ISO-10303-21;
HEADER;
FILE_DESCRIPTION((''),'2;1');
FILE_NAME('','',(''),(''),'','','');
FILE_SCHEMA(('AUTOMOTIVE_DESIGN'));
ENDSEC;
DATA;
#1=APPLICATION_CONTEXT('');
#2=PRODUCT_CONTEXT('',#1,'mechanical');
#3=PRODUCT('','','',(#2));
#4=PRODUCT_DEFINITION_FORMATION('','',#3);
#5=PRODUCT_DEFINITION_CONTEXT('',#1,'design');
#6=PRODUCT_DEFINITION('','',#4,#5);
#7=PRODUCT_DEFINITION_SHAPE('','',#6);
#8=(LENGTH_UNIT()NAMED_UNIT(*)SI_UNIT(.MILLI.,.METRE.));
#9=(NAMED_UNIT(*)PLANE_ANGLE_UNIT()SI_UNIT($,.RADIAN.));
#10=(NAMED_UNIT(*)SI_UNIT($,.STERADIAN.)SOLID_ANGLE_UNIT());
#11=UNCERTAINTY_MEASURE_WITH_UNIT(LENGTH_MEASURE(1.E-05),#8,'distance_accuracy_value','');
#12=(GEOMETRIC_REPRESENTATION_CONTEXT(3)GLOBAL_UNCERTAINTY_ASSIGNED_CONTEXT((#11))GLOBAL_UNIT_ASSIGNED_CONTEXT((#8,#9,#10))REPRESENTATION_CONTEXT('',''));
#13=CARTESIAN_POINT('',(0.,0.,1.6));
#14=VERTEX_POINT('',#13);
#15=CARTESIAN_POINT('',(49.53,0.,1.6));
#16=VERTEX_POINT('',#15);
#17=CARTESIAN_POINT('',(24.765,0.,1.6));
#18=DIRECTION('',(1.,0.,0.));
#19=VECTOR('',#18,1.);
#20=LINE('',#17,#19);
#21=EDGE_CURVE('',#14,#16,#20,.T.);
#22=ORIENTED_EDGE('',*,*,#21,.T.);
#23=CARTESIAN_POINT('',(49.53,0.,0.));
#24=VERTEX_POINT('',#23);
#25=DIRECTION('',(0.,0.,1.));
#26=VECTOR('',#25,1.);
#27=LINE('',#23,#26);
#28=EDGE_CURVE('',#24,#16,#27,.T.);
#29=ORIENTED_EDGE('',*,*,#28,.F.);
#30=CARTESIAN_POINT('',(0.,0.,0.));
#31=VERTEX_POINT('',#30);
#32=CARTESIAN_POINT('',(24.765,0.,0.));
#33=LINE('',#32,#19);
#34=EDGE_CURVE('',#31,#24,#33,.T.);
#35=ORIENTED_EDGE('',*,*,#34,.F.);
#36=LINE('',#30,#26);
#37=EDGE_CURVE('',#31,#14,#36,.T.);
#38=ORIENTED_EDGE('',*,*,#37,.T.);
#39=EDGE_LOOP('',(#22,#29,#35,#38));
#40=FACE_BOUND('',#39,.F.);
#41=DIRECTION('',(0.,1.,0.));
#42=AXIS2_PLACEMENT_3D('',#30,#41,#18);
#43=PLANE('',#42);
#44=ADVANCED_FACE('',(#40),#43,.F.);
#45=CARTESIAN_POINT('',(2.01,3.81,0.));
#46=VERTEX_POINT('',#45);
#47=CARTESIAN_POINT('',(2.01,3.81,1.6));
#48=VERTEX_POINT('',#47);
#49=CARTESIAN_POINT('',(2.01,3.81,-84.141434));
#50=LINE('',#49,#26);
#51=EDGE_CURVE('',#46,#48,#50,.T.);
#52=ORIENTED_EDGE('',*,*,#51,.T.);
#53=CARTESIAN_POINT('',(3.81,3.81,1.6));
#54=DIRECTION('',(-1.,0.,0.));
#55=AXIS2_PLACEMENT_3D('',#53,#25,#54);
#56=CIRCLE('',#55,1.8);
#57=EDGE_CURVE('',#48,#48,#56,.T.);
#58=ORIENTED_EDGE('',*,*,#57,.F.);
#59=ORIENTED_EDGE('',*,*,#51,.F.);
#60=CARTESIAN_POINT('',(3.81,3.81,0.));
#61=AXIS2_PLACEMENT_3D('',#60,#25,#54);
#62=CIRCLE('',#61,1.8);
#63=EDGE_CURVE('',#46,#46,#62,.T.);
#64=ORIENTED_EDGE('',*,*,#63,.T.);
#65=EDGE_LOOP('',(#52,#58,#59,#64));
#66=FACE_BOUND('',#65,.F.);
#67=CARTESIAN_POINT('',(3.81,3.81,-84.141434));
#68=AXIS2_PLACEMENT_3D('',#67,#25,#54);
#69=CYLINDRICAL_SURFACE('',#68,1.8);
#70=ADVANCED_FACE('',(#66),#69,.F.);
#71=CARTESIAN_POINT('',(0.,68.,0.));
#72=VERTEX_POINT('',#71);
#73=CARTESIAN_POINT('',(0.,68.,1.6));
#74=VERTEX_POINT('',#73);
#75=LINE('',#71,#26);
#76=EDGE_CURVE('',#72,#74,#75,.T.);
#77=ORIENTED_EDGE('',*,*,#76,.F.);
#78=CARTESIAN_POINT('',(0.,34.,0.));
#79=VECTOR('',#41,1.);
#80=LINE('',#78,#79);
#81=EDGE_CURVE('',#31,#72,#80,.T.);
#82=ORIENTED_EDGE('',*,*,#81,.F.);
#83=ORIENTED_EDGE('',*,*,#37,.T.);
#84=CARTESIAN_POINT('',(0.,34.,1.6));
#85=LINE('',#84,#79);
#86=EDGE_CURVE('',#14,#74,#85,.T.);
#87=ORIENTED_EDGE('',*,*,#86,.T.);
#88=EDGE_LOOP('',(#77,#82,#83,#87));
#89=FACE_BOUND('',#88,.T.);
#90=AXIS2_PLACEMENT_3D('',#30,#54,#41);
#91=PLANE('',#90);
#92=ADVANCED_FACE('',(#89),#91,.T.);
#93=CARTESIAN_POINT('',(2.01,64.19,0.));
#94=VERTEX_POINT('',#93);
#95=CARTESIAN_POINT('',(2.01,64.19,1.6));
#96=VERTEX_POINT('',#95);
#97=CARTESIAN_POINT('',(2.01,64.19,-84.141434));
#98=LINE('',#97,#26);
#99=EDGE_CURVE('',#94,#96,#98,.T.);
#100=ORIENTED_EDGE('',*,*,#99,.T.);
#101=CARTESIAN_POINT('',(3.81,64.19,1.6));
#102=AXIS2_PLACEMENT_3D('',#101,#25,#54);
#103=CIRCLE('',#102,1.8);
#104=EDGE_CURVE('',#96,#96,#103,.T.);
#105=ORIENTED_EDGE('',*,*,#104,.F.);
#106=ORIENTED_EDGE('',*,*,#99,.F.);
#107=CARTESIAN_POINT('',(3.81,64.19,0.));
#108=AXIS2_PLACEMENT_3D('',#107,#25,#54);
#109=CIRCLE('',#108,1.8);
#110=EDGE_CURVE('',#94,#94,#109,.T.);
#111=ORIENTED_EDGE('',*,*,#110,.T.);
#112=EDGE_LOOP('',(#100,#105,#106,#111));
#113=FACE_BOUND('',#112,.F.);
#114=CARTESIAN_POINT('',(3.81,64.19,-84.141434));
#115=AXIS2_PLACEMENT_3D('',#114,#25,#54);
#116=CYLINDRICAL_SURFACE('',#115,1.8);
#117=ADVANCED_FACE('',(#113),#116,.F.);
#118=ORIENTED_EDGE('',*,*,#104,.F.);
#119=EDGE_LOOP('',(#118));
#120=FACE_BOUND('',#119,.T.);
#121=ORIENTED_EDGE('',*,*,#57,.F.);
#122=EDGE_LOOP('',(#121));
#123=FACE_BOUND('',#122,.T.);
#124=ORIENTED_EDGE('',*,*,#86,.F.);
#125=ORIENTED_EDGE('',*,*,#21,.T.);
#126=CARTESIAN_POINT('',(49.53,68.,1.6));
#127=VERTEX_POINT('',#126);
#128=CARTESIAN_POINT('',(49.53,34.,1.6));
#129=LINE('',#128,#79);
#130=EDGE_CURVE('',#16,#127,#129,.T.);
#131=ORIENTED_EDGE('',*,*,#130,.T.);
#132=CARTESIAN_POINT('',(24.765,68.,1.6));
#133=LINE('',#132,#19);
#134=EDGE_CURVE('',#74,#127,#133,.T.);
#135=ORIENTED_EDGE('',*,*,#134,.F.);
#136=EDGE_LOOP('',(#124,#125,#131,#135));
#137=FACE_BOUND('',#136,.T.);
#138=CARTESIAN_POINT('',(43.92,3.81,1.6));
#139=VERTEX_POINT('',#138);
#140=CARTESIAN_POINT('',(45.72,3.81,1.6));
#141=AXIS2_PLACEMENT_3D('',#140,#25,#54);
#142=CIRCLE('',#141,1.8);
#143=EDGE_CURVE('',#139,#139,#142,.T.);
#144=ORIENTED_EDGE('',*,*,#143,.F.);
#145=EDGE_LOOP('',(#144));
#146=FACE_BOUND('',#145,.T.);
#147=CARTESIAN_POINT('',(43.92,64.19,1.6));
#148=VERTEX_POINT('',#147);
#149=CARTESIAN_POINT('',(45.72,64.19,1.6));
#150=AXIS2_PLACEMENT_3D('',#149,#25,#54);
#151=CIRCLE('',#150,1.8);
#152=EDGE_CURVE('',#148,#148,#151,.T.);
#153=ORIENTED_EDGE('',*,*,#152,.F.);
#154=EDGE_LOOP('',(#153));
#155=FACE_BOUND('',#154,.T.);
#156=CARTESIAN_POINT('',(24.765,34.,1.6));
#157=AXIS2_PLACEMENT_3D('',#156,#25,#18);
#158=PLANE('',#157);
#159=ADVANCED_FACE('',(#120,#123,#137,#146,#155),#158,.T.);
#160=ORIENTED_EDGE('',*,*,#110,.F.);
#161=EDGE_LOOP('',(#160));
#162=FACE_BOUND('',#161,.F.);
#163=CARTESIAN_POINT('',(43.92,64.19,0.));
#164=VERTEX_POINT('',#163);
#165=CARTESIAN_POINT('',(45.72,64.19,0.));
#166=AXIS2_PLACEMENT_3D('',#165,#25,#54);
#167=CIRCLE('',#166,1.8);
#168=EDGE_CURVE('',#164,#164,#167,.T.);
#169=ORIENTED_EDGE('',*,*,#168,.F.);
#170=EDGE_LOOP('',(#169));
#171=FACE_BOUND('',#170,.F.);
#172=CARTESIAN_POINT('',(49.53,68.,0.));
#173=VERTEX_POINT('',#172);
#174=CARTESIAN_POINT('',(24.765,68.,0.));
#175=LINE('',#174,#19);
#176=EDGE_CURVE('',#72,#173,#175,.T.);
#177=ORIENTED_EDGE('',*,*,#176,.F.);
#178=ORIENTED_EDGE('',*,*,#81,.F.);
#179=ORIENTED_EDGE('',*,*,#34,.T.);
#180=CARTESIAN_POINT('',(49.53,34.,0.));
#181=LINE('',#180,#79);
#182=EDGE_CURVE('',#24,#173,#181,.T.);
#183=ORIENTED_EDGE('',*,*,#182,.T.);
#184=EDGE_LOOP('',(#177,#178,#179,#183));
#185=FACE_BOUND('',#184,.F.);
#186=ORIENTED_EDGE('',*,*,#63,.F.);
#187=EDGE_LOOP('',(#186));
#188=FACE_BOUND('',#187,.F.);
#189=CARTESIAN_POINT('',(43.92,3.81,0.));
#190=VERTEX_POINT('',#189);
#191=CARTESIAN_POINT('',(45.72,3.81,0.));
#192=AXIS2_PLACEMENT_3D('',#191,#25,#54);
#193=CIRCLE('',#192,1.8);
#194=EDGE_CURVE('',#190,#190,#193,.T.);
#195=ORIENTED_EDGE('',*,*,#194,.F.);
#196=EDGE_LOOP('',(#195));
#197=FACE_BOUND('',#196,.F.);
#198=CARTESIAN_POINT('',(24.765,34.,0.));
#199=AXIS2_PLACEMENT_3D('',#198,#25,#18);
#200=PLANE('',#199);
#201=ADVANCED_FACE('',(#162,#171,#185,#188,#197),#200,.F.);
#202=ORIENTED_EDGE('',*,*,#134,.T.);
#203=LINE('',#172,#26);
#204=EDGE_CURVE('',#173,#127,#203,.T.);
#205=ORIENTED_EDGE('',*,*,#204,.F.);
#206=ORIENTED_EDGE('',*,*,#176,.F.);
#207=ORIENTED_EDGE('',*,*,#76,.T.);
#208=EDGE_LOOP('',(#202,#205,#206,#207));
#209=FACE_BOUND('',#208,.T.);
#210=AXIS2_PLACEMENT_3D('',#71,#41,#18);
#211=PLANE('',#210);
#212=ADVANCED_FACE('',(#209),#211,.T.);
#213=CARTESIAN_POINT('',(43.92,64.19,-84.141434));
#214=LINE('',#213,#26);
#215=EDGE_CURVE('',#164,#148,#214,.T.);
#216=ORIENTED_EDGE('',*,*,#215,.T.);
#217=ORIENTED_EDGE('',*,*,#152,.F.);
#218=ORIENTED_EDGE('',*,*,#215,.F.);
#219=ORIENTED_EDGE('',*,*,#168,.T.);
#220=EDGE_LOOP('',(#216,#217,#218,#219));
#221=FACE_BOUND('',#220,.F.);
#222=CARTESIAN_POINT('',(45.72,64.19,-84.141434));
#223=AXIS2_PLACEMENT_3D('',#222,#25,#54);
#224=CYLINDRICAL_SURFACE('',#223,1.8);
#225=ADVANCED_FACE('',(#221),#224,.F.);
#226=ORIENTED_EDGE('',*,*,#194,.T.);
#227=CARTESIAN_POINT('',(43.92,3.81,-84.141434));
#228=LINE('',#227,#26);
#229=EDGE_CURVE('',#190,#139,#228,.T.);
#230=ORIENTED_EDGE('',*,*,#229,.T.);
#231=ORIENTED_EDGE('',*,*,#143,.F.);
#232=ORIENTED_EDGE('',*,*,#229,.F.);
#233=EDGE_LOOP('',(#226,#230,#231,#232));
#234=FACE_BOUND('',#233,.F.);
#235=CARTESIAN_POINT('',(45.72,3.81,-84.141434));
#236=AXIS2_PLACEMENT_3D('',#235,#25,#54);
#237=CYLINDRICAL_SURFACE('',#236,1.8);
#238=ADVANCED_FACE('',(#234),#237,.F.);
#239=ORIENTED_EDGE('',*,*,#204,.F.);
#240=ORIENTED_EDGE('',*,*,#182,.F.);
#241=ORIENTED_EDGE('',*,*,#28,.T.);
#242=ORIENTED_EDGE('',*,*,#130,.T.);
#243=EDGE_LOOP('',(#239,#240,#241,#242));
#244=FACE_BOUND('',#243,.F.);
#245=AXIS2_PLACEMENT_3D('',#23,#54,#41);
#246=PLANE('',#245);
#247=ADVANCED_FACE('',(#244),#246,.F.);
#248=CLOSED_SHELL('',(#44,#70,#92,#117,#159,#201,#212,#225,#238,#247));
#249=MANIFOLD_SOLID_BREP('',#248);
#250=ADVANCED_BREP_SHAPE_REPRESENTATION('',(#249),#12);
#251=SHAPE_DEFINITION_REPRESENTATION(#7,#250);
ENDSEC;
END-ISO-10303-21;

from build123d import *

# Parameters (mm, degrees)
F0_W     = 49.53
F0_H     = 68
F1_DEPTH = 1.6
F2_D     = 3.6


with BuildPart() as f1:
    # F0 (on Top) → F1 (new body)
    with BuildSketch(Plane.XY):
        with Locations((24.765, 34)):
            Rectangle(F0_W, F0_H)
    extrude(amount=F1_DEPTH)

    # F2 (through all)
    with Locations(Plane(origin=(0, 0, 0), x_dir=(1, 0, 0), z_dir=(0, 0, -1))):
        with Locations((3.81, -64.19), (45.72, -64.19), (45.72, -3.81), (3.81, -3.81)):
            Hole(F2_D / 2)


solid = f1.part
